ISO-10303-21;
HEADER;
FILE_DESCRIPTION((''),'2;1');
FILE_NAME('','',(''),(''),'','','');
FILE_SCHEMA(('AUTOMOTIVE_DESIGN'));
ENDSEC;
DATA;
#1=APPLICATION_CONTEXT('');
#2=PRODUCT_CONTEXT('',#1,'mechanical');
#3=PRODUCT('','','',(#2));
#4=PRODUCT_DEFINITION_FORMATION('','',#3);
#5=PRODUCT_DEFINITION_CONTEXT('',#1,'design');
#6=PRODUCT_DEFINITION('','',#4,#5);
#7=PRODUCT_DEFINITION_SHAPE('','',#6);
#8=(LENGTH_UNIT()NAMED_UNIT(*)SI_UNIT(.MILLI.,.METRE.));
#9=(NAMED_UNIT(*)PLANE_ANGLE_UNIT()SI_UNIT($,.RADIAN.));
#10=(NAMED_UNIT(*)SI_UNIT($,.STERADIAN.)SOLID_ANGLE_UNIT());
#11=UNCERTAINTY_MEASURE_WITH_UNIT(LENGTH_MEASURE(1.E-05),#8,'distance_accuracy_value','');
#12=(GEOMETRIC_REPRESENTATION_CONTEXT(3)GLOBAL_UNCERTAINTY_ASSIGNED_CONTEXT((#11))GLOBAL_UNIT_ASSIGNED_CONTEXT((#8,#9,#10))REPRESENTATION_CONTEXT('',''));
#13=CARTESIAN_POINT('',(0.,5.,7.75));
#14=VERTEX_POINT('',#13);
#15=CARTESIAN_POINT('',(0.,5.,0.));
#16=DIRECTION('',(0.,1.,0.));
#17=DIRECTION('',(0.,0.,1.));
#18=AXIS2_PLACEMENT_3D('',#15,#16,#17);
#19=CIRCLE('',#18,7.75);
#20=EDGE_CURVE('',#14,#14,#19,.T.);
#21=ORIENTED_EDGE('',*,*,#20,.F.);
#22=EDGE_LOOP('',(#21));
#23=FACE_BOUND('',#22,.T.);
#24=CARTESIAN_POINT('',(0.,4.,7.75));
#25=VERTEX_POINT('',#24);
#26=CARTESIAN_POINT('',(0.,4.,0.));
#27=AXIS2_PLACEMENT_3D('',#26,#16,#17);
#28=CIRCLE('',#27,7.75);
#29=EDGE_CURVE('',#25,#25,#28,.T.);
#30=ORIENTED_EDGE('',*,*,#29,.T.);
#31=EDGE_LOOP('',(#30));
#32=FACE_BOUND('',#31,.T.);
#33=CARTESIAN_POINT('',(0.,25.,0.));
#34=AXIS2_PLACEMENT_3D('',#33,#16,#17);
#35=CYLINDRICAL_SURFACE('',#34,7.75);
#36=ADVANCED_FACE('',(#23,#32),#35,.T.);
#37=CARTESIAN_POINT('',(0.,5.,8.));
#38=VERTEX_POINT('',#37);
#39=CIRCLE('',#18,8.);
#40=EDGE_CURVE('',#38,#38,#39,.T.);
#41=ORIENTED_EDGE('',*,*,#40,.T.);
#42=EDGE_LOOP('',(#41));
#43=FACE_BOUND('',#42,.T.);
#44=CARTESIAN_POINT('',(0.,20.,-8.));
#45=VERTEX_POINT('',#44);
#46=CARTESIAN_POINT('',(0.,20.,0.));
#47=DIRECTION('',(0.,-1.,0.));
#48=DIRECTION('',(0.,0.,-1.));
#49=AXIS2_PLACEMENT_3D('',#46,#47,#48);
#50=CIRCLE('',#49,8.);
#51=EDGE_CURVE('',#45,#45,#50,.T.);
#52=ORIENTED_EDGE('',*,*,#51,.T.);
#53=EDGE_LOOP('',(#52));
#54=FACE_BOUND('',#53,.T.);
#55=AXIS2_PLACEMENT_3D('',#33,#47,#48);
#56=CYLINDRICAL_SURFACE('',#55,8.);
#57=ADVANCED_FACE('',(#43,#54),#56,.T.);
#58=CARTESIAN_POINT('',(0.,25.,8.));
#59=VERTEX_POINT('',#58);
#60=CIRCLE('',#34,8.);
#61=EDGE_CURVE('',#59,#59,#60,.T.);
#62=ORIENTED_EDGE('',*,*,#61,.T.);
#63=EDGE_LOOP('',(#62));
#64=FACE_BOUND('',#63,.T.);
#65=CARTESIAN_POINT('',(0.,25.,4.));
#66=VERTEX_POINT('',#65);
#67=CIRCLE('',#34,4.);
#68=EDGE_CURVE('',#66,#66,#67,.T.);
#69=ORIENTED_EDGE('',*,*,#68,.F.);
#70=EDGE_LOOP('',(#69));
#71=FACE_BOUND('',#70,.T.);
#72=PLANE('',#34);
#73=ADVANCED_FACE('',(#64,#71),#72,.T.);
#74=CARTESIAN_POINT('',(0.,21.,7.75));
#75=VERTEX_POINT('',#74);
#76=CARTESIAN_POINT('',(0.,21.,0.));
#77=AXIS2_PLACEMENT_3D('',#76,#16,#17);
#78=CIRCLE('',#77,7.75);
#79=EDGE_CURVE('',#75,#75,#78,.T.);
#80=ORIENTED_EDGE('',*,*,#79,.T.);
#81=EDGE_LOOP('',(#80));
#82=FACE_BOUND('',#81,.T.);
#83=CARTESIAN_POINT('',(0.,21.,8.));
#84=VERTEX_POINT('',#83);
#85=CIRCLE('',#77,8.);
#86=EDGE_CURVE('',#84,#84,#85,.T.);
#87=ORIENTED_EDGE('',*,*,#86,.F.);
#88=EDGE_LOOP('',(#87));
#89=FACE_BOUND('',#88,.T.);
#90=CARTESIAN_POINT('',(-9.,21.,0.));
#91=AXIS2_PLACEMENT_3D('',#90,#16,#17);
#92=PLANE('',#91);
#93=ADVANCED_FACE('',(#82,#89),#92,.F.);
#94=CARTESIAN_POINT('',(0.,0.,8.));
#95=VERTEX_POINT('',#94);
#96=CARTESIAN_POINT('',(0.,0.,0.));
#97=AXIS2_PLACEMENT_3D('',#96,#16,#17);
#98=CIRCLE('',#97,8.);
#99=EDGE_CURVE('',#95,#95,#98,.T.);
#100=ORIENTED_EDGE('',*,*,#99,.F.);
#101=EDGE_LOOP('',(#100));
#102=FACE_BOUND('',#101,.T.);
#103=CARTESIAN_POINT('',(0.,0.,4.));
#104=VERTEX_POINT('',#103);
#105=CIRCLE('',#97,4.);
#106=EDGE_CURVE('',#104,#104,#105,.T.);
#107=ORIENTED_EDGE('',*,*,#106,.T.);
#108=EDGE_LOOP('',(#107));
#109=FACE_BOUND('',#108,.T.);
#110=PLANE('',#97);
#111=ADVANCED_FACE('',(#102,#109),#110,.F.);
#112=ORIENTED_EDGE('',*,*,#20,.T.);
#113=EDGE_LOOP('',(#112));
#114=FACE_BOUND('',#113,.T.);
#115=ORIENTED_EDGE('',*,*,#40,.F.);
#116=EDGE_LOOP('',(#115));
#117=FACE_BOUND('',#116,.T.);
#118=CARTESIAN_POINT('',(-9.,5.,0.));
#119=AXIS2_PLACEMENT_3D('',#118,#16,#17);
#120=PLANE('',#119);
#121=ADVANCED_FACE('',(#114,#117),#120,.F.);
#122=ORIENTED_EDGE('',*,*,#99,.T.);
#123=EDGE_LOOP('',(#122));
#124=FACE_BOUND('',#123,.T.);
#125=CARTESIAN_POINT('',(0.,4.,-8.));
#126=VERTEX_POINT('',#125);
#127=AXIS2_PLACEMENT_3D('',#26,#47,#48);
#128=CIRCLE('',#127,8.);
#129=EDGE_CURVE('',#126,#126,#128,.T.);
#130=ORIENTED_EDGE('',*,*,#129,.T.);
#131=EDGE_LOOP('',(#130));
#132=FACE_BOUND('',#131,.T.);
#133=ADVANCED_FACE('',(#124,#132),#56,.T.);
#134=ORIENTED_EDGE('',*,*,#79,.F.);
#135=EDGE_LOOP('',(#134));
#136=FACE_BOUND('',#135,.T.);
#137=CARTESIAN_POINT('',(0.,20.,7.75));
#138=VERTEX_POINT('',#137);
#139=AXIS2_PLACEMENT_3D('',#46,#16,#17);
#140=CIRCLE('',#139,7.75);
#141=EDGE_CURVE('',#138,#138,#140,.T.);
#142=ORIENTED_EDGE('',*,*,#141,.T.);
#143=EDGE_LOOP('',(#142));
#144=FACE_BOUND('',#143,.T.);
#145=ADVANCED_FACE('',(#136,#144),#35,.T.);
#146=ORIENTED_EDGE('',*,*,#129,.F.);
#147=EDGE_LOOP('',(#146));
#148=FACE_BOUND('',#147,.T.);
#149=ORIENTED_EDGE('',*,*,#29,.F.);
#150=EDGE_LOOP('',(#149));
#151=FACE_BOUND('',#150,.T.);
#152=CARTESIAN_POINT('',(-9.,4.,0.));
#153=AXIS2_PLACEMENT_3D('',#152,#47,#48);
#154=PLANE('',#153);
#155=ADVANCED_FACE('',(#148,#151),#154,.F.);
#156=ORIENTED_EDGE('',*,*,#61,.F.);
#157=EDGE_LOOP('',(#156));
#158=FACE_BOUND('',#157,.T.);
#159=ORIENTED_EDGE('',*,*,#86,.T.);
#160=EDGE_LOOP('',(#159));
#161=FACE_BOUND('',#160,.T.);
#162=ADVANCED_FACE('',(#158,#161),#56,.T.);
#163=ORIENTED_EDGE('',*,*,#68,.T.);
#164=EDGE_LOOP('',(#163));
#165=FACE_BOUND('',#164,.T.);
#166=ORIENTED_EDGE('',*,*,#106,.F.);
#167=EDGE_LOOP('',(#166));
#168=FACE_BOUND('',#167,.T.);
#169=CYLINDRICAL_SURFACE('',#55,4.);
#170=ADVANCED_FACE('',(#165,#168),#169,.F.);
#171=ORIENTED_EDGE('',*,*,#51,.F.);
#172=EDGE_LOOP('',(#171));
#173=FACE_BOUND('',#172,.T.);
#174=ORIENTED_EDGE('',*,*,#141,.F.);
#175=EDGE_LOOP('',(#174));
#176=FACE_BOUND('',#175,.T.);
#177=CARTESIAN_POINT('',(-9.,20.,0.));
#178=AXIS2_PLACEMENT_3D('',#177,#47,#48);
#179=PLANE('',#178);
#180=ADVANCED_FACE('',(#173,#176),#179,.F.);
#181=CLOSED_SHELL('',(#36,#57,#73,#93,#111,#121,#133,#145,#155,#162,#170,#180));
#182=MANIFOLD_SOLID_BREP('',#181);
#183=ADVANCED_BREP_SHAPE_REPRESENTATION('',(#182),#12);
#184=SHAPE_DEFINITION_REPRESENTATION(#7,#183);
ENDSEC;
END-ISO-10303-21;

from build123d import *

# Parameters (mm, degrees)
SKETCH1_R           = 8
SKETCH1_R_2         = 4
BOSS_EXTRUDE1_DEPTH = 25
SKETCH2_W           = 1.25
SKETCH2_H           = 1


with BuildPart() as part:
    # Sketch1 → Boss-Extrude1 (new body)
    with BuildSketch(Plane(origin=(0, 0, 0), x_dir=(1, 0, 0), z_dir=(0, 1, 0))):
        with Locations(Location((0, 0, 0), (0, 0, 270))):
            Circle(SKETCH1_R)
        with Locations(Location((0, 0, 0), (0, 0, 270))):
            Circle(SKETCH1_R_2, mode=Mode.SUBTRACT)
    extrude(amount=BOSS_EXTRUDE1_DEPTH)

    # Sketch2 → Cut-Revolve1 (revolve, cut)
    with BuildSketch(Plane.XY, mode=Mode.PRIVATE) as cut_revolve1_sk:
        with Locations((-8.375, 20.5)):
            Rectangle(SKETCH2_W, SKETCH2_H)
        with Locations((-8.375, 4.5)):
            Rectangle(SKETCH2_W, SKETCH2_H)
    revolve(cut_revolve1_sk.sketch.rotate(Axis((0, 25, 0), (0, -1, 0)), 270), axis=Axis((0, 25, 0), (0, -1, 0)), mode=Mode.SUBTRACT)


solid = part.part
